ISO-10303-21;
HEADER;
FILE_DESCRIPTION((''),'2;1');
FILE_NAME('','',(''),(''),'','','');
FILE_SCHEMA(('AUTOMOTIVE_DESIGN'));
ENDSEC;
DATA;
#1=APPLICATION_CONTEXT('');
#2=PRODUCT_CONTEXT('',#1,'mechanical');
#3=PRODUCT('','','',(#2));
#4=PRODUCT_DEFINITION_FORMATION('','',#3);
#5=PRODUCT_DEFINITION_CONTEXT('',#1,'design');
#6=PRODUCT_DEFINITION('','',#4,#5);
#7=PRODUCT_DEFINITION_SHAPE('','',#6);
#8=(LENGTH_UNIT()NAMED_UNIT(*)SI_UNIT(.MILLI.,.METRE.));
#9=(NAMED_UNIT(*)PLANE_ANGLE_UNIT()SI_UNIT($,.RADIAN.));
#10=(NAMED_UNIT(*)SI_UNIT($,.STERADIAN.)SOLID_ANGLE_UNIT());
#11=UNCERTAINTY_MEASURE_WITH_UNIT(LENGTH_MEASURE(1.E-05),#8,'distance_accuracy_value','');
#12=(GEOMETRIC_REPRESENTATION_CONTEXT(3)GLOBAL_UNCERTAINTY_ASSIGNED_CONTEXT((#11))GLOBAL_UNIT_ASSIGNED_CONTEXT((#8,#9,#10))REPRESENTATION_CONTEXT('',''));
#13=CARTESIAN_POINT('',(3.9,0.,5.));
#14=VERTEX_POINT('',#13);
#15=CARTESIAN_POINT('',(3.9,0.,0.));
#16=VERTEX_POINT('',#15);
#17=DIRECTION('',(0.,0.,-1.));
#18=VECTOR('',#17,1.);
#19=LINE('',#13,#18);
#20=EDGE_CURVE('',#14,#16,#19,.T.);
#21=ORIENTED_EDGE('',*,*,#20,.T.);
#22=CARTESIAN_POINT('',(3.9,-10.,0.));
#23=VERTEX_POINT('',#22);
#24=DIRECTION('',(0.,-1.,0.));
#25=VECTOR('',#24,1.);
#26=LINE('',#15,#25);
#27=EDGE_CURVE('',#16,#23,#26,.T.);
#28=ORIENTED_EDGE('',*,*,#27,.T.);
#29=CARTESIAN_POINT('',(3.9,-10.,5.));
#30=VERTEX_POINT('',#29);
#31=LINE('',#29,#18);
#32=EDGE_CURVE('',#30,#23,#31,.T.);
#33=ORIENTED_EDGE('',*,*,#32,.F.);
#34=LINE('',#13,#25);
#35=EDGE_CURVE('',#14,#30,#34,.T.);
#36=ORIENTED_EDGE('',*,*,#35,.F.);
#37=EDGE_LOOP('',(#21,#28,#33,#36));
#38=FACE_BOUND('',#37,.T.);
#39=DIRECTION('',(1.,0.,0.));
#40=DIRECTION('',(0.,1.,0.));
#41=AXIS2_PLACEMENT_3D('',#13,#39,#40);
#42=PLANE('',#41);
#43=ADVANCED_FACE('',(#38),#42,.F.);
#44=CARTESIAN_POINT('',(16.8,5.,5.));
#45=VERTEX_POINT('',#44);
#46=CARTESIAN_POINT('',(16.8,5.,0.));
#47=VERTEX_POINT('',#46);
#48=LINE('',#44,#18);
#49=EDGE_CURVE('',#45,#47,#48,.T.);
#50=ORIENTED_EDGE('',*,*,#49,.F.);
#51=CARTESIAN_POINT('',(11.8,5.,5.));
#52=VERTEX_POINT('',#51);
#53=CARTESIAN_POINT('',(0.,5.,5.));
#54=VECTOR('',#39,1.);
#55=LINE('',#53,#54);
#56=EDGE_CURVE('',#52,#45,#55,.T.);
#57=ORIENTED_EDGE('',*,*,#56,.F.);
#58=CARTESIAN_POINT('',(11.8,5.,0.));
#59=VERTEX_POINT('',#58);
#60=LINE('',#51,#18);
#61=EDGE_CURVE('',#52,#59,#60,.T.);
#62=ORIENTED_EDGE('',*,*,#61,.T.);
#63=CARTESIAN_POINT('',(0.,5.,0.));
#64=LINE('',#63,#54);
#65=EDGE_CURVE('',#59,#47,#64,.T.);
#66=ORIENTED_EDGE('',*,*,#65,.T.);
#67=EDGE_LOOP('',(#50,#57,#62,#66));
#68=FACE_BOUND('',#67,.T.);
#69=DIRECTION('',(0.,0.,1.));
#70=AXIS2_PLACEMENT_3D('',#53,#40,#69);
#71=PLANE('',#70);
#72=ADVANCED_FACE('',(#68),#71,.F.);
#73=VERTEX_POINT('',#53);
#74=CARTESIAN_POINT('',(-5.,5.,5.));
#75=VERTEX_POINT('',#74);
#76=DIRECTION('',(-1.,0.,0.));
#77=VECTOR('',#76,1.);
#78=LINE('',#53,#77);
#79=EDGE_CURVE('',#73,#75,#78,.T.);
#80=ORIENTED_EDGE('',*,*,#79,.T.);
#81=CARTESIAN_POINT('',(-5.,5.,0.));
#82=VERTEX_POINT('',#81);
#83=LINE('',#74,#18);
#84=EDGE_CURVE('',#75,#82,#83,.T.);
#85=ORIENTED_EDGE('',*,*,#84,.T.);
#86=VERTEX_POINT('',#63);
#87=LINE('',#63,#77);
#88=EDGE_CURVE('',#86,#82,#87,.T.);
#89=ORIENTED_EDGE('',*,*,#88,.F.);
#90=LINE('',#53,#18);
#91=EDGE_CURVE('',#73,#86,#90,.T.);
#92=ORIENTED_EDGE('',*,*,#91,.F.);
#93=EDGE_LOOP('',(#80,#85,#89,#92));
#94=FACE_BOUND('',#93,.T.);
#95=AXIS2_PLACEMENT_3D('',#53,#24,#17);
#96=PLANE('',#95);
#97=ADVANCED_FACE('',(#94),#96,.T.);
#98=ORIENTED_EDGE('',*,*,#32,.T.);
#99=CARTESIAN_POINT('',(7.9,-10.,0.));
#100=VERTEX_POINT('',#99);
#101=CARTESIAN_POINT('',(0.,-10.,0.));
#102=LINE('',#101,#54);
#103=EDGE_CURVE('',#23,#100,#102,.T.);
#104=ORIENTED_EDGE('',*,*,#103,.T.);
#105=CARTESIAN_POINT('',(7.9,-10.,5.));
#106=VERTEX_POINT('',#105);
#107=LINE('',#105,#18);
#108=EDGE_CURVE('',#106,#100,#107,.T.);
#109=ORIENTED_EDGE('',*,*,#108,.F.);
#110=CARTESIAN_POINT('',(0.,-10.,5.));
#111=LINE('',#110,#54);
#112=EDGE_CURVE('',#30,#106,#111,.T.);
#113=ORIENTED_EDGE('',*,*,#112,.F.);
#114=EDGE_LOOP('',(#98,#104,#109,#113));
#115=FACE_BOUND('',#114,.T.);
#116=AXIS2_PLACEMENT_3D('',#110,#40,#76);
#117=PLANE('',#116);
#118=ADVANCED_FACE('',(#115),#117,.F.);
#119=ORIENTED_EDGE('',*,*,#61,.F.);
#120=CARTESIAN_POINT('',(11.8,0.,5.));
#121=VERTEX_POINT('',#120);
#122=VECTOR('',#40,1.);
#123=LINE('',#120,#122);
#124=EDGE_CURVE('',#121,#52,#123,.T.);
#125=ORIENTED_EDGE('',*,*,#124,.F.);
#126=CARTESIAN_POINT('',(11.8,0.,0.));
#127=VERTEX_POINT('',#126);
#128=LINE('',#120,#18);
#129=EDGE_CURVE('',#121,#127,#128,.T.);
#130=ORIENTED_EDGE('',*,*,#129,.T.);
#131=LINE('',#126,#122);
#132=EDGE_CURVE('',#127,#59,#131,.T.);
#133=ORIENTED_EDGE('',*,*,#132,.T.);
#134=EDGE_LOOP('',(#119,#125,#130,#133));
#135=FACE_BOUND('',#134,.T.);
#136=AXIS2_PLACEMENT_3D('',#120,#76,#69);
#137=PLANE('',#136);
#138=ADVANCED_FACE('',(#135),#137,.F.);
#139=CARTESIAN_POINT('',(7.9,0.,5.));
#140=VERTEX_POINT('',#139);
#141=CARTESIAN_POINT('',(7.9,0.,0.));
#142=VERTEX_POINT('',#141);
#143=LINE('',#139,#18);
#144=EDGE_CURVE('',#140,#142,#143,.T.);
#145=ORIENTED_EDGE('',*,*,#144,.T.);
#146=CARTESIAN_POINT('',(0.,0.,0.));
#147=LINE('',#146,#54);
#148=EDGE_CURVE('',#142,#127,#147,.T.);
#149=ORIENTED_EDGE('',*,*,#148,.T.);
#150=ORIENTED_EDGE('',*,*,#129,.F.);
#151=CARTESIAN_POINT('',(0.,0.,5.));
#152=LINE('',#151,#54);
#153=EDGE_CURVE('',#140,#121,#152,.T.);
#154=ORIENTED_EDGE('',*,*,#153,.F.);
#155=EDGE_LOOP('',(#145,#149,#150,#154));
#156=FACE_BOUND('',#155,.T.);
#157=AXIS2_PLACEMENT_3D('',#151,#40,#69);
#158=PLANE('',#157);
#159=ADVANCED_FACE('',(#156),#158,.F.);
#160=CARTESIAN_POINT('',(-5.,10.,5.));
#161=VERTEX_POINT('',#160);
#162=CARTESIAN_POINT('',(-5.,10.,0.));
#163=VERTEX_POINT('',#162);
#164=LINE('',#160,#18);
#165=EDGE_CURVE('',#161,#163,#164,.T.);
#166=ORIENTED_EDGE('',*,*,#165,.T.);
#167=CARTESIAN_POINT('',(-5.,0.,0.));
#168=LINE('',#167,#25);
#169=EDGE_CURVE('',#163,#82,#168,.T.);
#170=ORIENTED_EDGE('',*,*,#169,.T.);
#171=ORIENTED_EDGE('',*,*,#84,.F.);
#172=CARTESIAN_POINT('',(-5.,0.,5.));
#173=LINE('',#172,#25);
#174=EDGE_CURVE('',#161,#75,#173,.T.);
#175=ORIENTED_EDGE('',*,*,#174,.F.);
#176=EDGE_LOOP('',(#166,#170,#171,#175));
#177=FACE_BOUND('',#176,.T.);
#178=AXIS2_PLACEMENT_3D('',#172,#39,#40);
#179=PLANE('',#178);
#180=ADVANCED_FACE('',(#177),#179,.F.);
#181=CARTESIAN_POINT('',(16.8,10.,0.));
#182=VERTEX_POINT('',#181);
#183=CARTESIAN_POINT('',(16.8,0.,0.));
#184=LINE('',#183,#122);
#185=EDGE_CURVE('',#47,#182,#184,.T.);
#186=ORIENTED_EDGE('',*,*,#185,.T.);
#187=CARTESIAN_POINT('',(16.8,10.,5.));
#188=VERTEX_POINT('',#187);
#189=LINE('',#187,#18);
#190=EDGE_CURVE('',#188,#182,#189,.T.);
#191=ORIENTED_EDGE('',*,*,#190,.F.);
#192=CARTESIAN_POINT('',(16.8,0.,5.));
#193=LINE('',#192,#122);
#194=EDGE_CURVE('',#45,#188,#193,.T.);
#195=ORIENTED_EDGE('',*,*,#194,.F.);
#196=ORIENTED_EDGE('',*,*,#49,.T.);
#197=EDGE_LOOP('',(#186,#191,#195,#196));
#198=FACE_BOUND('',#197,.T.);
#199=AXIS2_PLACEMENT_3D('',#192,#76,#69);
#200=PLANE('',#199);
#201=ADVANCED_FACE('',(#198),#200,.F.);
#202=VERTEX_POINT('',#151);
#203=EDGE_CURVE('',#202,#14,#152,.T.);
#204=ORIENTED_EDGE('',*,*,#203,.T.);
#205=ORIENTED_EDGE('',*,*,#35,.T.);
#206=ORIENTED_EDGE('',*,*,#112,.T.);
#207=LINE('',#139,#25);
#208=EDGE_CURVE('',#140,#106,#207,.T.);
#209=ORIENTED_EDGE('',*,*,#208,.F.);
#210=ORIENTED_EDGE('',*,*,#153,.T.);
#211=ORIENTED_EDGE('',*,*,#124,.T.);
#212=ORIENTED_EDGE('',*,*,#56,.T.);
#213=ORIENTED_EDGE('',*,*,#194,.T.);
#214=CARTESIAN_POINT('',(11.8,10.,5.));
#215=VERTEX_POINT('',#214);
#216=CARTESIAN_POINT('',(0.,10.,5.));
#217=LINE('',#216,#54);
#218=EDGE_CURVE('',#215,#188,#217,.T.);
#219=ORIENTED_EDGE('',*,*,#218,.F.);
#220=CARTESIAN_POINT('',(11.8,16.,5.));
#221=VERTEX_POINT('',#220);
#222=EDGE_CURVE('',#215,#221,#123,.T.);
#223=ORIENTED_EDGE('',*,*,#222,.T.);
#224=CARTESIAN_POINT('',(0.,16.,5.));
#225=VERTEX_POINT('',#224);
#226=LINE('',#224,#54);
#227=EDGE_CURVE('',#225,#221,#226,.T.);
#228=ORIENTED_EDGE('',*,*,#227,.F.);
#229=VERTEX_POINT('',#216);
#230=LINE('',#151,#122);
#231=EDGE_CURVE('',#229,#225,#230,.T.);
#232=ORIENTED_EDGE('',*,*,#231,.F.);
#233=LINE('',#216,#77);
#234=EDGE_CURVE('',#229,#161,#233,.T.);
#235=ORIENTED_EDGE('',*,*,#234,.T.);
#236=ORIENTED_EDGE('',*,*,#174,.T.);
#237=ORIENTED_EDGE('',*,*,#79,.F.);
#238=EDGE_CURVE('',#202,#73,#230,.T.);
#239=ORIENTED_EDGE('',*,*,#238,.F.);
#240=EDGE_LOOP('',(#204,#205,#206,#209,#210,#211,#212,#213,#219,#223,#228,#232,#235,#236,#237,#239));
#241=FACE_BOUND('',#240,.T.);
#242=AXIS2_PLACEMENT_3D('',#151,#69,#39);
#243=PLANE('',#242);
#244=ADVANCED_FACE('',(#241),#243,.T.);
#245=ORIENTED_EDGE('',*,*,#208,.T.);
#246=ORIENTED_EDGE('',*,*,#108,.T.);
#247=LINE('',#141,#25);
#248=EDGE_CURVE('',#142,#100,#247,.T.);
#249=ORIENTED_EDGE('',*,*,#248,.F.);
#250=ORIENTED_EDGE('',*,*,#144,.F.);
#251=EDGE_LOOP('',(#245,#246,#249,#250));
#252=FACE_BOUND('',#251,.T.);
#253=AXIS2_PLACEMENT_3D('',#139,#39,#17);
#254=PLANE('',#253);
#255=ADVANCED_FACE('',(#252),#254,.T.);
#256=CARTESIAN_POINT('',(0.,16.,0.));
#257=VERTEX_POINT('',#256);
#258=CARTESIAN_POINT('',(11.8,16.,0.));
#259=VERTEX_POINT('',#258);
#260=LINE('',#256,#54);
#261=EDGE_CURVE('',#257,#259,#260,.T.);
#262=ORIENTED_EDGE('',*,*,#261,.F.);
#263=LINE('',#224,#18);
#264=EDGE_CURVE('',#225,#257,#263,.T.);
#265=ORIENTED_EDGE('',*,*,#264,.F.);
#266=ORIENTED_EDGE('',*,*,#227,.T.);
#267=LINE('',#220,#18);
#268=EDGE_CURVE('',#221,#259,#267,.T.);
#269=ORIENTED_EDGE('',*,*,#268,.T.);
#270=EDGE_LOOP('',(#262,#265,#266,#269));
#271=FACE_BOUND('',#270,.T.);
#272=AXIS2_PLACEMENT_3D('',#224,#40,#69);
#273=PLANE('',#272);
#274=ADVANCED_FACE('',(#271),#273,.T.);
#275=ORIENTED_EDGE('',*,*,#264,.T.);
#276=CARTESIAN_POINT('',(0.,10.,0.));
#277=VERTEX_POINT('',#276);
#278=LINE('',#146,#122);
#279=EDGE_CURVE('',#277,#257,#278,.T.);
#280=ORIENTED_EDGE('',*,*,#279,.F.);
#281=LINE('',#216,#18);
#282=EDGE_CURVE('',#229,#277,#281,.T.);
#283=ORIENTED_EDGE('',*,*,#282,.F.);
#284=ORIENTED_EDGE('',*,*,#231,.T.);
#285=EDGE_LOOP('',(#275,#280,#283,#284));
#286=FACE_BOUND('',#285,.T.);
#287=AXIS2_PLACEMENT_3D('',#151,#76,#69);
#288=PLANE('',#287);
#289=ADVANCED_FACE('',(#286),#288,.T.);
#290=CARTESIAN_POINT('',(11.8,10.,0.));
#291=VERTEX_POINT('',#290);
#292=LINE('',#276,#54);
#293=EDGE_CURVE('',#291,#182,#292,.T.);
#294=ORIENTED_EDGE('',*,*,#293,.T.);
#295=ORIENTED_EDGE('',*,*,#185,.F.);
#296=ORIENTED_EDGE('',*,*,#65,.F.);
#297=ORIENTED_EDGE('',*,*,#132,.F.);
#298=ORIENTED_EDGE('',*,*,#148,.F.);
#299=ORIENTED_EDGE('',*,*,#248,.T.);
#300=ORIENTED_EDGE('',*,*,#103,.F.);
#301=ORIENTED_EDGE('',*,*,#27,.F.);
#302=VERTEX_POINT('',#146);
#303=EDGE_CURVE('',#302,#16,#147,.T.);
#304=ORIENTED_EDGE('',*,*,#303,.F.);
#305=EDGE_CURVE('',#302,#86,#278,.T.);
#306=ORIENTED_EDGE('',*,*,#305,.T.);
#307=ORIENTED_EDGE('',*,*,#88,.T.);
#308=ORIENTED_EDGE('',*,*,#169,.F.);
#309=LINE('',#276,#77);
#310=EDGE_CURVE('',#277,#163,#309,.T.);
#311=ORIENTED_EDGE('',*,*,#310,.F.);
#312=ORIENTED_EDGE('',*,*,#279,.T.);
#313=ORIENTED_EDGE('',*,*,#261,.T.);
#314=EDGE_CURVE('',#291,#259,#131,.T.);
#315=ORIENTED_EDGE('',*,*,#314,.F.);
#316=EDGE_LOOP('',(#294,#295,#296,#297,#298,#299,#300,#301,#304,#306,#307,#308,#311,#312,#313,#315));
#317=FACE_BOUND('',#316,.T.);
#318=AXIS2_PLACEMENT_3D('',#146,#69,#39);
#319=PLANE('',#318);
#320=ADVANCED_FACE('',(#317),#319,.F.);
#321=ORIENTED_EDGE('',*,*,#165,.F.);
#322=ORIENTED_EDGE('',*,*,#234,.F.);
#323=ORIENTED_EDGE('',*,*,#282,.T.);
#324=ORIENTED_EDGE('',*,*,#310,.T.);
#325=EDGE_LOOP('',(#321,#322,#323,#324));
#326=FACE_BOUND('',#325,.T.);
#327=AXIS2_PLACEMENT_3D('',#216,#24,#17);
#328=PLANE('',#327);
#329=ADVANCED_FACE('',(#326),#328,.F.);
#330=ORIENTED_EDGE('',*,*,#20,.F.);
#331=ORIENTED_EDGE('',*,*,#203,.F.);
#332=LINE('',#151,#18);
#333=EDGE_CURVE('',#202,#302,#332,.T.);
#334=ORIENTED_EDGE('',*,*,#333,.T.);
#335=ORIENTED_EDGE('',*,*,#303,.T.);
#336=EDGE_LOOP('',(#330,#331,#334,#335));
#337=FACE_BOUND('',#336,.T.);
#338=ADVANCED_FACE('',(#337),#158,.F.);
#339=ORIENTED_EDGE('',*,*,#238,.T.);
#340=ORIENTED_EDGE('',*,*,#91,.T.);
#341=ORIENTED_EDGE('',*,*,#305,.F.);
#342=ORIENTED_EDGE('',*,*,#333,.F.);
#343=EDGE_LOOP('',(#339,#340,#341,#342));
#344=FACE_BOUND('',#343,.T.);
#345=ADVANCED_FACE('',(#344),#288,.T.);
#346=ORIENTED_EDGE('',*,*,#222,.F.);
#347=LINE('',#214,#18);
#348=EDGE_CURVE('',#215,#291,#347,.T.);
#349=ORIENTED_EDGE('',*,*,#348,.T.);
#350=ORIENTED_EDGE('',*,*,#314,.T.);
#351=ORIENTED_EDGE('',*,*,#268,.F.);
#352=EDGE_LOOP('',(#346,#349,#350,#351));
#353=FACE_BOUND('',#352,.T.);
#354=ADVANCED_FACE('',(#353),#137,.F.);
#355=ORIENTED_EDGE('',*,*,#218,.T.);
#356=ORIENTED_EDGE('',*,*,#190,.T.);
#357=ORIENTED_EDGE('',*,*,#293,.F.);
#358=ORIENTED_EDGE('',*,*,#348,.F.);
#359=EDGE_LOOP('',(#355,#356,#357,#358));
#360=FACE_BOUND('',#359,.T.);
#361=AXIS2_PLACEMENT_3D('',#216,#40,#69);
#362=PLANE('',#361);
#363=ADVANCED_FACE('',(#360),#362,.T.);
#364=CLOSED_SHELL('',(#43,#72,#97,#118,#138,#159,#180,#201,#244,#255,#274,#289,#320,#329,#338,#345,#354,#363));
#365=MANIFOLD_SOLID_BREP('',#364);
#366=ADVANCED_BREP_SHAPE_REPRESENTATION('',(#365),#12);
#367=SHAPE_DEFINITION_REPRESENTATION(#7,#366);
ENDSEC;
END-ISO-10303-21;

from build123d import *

# Parameters (mm, degrees)
ESQUISSE1_W        = 4
ESQUISSE1_H        = 10
ESQUISSE1_W_2      = 5
ESQUISSE1_H_2      = 5
ESQUISSE1_W_3      = 11.8
ESQUISSE1_H_3      = 16
BOSS_EXTRU_1_DEPTH = 5


with BuildPart() as part:
    # Esquisse1 → Boss.-Extru.1 (new body)
    with BuildSketch(Plane.XY):
        with Locations((5.9, -5)):
            Rectangle(ESQUISSE1_W, ESQUISSE1_H)
        with Locations((-2.5, 7.5)):
            Rectangle(ESQUISSE1_W_2, ESQUISSE1_H_2)
        with Locations((5.9, 8)):
            Rectangle(ESQUISSE1_W_3, ESQUISSE1_H_3)
        with Locations((14.3, 7.5)):
            Rectangle(ESQUISSE1_W_2, ESQUISSE1_H_2)
    extrude(amount=BOSS_EXTRU_1_DEPTH)


solid = part.part
